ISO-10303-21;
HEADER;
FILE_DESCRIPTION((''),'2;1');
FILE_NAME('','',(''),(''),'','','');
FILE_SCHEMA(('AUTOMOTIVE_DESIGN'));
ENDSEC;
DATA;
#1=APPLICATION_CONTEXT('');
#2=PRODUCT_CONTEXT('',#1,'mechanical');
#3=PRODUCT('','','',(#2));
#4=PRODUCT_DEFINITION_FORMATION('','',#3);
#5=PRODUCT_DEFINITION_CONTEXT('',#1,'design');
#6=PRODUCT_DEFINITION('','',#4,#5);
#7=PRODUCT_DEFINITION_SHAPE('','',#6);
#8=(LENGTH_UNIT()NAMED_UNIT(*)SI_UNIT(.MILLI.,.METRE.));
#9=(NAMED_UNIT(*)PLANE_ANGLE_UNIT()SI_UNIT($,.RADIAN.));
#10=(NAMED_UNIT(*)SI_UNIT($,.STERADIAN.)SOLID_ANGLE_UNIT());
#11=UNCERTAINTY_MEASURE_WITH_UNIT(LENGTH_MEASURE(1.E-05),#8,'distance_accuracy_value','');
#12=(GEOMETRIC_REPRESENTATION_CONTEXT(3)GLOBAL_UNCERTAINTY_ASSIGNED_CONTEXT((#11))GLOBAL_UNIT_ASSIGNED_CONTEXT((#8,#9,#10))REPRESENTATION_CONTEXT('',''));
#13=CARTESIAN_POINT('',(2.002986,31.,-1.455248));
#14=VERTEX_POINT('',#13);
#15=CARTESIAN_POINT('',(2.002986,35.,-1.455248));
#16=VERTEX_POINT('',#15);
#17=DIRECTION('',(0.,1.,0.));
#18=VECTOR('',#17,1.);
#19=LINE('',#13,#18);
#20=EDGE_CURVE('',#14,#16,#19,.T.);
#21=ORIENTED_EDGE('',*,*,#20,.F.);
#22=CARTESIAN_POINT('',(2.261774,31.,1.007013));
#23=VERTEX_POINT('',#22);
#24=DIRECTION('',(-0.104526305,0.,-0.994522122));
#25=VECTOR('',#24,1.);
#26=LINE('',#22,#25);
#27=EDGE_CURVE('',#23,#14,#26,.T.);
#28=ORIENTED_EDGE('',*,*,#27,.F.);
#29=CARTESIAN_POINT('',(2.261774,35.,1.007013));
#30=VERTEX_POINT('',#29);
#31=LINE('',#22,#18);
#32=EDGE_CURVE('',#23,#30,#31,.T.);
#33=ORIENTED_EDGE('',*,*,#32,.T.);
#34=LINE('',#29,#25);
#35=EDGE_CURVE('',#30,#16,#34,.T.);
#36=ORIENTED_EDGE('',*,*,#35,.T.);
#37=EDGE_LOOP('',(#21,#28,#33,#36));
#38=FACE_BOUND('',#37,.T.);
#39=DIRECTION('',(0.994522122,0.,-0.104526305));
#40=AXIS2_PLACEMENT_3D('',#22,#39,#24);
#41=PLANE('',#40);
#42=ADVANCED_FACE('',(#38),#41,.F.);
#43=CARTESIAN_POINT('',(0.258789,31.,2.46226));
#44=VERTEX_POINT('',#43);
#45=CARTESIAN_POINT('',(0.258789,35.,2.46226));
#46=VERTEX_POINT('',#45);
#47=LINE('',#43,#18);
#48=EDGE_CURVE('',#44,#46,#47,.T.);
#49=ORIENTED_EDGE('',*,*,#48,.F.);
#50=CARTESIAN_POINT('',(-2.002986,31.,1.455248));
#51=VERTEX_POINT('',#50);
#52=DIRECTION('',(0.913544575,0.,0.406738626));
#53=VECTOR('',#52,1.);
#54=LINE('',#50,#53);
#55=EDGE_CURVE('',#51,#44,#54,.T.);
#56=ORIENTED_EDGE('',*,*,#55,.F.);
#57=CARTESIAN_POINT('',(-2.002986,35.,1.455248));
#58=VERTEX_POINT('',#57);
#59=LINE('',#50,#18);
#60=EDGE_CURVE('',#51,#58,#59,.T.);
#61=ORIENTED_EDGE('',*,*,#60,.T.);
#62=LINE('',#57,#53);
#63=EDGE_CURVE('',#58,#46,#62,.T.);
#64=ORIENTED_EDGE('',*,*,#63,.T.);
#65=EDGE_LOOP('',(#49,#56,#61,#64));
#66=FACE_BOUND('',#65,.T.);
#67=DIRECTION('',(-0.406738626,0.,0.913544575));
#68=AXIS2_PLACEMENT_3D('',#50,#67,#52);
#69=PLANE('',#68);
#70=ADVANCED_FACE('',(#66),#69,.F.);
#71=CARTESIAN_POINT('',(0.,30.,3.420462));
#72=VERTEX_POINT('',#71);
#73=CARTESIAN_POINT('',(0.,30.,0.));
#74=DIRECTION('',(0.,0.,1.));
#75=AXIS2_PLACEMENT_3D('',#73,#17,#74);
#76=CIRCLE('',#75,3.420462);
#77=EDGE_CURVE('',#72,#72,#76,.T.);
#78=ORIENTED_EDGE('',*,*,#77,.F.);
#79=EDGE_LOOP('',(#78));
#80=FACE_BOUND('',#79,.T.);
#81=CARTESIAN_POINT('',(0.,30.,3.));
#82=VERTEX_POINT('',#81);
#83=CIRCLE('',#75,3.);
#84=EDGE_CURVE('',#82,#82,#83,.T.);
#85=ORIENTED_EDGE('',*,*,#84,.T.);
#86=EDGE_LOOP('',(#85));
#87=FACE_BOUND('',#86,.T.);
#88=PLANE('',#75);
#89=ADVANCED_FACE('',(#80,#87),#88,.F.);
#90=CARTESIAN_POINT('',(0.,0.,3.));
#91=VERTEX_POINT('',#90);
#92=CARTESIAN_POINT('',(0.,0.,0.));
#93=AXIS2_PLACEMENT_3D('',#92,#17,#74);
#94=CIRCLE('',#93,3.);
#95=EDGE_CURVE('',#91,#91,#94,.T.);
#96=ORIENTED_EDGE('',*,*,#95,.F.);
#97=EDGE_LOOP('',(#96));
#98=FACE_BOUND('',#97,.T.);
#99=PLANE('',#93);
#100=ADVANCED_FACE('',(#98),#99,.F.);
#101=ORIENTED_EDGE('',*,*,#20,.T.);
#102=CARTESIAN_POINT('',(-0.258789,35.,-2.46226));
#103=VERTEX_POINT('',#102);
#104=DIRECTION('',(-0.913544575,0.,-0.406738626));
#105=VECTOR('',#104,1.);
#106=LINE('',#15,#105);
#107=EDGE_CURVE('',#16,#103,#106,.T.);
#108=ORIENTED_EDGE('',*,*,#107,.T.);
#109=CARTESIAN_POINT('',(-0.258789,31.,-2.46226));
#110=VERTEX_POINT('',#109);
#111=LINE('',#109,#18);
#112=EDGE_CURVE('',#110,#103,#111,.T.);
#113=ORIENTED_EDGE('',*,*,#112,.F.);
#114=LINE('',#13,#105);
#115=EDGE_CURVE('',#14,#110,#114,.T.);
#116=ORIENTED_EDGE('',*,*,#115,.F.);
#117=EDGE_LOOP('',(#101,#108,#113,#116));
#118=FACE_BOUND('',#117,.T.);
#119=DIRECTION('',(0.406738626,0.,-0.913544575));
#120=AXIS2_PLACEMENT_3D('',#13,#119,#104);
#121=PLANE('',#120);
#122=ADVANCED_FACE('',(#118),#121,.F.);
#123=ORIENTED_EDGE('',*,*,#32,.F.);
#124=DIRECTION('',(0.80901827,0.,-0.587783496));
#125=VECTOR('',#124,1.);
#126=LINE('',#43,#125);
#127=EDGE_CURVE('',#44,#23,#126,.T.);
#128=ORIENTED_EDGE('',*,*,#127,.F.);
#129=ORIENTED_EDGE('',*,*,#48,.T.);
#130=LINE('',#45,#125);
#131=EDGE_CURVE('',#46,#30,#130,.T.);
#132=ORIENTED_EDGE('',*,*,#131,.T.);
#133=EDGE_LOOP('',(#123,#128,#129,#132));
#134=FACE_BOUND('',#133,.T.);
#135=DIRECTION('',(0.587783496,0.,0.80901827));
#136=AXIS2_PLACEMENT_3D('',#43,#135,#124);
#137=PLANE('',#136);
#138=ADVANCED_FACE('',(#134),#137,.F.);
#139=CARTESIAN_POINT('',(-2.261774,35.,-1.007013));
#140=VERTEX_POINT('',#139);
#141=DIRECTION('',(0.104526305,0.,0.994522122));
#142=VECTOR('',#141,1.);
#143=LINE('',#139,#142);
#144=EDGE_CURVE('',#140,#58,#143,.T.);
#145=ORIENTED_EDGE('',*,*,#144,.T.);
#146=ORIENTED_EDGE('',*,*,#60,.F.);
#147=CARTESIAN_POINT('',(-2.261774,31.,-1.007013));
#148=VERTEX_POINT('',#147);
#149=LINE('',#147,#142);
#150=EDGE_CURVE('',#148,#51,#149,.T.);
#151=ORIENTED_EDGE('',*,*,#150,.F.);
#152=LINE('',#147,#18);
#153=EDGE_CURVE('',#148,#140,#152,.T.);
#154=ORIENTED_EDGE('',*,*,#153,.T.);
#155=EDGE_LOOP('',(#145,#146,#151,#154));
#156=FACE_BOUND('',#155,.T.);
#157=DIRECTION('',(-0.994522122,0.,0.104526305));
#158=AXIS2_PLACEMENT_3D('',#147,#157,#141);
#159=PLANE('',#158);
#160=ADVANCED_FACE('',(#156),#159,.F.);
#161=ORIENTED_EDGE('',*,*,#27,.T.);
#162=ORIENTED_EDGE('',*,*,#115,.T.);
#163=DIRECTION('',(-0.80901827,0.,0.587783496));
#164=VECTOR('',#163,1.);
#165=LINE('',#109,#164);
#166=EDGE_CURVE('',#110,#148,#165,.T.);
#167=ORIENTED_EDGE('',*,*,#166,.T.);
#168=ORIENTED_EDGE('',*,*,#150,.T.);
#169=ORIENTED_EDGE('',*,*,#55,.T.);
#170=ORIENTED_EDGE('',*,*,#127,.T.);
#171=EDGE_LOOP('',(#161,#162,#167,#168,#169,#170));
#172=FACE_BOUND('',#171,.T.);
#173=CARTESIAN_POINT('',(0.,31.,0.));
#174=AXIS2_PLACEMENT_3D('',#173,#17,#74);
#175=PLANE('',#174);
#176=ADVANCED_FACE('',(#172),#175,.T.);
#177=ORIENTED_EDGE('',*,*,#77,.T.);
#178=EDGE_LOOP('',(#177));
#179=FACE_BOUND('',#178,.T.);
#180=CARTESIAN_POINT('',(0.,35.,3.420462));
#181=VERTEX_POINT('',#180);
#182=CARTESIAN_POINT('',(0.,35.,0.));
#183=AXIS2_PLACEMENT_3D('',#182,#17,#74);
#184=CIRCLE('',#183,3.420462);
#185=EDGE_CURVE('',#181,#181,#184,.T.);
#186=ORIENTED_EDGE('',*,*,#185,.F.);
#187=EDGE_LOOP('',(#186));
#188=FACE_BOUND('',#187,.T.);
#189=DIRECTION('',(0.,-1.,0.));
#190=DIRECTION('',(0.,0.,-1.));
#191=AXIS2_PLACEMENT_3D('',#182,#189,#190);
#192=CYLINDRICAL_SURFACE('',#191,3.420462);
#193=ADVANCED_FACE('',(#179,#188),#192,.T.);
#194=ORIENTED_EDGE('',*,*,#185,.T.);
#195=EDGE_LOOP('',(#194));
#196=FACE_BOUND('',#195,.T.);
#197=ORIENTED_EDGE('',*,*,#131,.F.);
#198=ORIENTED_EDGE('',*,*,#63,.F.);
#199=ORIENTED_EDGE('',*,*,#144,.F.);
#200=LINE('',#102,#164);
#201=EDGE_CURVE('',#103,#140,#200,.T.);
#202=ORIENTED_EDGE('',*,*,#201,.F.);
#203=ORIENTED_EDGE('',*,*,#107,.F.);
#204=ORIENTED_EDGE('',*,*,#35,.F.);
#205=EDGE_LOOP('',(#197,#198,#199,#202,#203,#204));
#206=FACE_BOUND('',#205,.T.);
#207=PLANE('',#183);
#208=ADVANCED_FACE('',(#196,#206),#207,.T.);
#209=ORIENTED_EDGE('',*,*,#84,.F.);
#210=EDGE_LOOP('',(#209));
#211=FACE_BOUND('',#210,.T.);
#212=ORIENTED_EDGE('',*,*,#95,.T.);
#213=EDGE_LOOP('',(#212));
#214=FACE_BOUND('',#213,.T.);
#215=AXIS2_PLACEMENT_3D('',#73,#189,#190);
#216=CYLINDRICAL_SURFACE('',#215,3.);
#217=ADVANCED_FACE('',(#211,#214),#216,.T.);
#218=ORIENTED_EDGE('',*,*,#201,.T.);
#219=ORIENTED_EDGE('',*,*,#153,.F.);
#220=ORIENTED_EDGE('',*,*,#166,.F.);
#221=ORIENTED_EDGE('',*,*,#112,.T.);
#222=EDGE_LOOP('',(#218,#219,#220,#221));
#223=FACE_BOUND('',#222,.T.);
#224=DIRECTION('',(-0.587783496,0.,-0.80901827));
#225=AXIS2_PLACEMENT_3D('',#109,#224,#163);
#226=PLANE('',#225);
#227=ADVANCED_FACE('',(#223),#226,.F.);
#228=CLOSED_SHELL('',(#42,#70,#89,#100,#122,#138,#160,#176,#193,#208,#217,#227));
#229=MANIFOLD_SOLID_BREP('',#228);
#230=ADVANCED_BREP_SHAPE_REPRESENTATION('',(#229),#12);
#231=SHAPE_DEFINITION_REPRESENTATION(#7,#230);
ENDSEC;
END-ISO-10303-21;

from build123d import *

# Parameters (mm, degrees)
SKETCH1_R           = 3
BOSS_EXTRUDE1_DEPTH = 30
SKETCH2_R           = 3.420462188
BOSS_EXTRUDE2_DEPTH = 5
CUT_EXTRUDE1_DEPTH  = 4


with BuildPart() as part:
    # Sketch1 → Boss-Extrude1 (new body)
    with BuildSketch(Plane(origin=(0, 0, 0), x_dir=(1, 0, 0), z_dir=(0, 1, 0))):
        with Locations(Location((0, 0, 0), (0, 0, 270))):
            Circle(SKETCH1_R)
    extrude(amount=BOSS_EXTRUDE1_DEPTH)

    # Sketch2 → Boss-Extrude2 (add)
    with BuildSketch(Plane(origin=(0, 30, 0), x_dir=(1, 0, 0), z_dir=(0, 1, 0))):
        with Locations(Location((0, 0, 0), (0, 0, 270))):
            Circle(SKETCH2_R)
    extrude(amount=BOSS_EXTRUDE2_DEPTH)

    # Sketch3 → Cut-Extrude1 (cut)
    with BuildSketch(Plane(origin=(0, 35, 0), x_dir=(1, 0, 0), z_dir=(0, 1, 0))):
        Polygon((-0.25878856, 2.462260088), (-2.261774067, 1.007012576), (-2.002985506, -1.455247511), (0.25878856, -2.462260088), (2.261774067, -1.007012576), (2.002985506, 1.455247511), align=None)
    extrude(amount=-CUT_EXTRUDE1_DEPTH, mode=Mode.SUBTRACT)


solid = part.part
